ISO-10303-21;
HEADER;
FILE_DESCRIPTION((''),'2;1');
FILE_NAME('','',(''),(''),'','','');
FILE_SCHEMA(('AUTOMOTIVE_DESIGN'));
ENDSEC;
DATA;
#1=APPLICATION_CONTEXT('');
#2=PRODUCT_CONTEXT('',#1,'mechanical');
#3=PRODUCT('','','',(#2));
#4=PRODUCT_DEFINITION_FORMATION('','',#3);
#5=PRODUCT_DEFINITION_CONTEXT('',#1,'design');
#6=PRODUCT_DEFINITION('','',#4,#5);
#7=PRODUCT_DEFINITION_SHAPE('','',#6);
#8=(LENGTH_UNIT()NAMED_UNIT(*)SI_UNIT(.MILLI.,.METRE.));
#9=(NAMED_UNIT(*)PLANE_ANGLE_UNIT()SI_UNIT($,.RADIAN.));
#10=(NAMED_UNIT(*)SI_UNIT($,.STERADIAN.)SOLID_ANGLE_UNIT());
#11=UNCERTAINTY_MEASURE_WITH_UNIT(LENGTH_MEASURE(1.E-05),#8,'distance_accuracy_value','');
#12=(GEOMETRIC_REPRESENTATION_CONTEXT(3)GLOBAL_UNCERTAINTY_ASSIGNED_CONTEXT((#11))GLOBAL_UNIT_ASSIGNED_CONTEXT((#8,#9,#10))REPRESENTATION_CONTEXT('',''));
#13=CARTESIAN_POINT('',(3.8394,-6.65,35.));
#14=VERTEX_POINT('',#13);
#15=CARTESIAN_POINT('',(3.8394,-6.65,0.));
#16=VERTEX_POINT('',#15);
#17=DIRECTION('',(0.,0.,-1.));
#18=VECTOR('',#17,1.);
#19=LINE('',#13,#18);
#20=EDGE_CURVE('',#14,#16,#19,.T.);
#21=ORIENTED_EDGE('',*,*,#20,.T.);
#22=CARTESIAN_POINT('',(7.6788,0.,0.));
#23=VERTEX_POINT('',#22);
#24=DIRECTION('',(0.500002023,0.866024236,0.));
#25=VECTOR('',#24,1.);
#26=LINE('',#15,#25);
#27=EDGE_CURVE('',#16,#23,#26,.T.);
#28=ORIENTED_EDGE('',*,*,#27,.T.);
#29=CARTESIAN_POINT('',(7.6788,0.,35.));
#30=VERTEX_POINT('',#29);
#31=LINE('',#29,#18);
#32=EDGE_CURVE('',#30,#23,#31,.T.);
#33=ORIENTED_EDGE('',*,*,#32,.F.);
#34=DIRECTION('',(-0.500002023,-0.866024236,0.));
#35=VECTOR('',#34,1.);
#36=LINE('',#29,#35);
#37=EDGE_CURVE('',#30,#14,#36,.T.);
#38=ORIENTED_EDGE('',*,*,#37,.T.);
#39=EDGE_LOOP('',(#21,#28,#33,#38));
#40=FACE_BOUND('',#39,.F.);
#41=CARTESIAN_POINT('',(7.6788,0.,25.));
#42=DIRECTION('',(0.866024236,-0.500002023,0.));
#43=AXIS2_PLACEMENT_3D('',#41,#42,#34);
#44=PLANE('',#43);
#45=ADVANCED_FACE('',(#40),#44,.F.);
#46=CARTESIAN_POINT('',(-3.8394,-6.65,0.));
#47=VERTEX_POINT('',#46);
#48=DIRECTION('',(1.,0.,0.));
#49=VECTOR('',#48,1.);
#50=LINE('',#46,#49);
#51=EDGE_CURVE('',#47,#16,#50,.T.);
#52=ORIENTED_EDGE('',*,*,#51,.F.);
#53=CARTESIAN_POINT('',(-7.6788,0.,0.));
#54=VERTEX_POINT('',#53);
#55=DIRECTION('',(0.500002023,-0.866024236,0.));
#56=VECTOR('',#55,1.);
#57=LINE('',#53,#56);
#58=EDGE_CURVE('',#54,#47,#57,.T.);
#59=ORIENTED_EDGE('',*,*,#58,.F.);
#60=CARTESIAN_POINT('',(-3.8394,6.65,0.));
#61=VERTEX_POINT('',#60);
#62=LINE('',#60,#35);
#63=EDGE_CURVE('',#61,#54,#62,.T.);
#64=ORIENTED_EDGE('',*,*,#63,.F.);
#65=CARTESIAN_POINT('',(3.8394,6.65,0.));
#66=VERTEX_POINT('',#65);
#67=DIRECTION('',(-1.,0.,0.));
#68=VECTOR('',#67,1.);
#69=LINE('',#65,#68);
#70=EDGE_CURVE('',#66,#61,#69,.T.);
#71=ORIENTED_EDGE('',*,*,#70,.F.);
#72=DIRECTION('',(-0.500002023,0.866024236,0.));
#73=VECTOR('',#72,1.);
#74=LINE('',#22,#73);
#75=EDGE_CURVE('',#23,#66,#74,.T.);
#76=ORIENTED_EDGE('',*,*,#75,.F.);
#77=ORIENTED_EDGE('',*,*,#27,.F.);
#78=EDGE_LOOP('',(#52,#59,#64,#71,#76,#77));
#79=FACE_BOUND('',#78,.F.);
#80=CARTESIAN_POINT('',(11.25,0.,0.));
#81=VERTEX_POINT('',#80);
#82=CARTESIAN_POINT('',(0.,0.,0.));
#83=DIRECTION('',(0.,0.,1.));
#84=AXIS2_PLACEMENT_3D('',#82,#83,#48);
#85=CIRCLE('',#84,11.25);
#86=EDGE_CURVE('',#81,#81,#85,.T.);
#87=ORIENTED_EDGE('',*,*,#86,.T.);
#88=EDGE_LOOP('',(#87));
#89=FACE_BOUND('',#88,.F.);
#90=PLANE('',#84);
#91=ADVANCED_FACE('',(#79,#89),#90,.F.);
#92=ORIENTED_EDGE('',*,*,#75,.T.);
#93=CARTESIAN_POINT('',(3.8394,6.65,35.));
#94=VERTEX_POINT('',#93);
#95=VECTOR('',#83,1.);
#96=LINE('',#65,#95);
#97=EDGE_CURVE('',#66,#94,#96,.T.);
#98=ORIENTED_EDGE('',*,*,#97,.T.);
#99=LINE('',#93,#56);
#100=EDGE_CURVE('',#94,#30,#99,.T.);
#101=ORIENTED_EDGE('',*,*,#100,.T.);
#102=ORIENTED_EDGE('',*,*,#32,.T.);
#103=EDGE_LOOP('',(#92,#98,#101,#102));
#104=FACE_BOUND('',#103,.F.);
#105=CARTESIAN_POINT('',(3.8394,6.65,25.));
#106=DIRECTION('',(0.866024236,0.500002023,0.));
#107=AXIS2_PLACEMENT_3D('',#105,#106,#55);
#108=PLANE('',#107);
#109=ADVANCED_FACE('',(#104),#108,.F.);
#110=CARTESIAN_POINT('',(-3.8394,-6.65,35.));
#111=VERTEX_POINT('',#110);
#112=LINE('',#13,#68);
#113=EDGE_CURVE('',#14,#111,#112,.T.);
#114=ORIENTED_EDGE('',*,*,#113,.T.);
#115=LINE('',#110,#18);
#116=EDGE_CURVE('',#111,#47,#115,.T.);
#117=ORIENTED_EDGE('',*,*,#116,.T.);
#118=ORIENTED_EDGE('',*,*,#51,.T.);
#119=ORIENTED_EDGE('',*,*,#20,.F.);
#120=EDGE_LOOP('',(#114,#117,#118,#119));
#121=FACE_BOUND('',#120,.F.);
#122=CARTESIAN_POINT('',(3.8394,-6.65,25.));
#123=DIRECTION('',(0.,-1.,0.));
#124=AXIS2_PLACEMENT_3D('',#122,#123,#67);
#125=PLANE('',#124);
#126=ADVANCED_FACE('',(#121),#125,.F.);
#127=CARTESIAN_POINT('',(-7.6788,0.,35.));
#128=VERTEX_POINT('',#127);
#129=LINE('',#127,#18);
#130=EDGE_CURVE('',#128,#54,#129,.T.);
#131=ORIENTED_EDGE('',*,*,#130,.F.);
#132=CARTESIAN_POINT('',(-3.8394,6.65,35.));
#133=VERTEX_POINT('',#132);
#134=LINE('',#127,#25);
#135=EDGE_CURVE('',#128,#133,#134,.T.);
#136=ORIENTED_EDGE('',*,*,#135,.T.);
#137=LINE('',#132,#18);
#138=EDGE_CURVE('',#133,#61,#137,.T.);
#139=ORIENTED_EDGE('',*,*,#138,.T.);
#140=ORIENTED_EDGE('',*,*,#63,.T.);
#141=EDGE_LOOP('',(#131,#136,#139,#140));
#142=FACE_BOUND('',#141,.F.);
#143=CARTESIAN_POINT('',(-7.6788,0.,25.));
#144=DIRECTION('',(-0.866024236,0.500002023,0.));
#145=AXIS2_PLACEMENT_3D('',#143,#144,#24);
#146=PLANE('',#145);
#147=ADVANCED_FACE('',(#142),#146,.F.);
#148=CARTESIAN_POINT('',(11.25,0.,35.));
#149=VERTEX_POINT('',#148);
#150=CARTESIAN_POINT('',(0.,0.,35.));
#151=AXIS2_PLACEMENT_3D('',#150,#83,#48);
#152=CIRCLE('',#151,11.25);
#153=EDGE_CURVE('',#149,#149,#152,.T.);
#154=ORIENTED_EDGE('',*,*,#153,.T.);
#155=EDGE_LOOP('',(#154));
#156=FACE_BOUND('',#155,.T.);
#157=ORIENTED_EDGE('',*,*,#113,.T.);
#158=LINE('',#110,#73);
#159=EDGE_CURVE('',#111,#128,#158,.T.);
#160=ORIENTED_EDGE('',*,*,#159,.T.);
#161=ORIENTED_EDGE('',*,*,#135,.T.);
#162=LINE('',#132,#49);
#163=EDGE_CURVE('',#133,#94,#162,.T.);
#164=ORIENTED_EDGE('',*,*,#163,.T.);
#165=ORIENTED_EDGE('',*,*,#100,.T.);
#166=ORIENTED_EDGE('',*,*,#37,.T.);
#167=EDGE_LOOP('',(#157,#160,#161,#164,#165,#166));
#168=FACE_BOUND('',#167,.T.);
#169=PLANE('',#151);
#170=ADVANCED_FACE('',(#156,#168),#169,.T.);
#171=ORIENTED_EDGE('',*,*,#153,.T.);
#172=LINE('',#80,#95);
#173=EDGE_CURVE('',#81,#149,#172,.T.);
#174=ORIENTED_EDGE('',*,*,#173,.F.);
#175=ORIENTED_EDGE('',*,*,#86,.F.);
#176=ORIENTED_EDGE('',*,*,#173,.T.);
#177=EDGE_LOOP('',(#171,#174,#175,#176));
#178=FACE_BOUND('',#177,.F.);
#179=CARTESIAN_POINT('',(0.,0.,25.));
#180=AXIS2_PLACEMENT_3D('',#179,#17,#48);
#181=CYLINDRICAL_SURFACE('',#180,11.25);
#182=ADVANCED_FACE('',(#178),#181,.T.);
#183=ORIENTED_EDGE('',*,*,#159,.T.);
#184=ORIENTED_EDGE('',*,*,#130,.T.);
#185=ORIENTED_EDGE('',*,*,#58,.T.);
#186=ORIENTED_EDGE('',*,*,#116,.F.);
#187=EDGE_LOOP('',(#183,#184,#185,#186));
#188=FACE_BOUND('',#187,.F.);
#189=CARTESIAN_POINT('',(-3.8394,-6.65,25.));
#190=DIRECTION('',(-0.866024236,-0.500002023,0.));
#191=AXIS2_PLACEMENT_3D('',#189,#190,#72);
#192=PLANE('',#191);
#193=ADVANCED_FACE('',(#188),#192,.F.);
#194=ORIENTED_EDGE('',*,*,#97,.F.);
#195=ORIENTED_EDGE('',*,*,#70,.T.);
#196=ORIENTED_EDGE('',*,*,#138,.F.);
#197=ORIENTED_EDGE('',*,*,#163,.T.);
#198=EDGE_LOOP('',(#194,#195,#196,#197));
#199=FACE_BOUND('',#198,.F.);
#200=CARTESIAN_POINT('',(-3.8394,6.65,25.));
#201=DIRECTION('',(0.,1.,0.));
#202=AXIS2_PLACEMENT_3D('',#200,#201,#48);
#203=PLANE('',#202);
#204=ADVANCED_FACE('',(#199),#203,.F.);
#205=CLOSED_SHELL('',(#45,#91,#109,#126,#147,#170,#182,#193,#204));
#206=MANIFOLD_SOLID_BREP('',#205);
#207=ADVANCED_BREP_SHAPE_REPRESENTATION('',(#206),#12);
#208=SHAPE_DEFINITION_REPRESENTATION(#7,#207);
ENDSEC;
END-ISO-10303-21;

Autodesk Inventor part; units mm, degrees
ref_plane "YZ Plane" through (0, 0, 0) normal (1, 0, 0) x (0, 1, 0)
ref_plane "XZ Plane" through (0, 0, 0) normal (0, 1, 0) x (-1, 0, 0)
ref_plane "XY Plane" through (0, 0, 0) normal (0, 0, 1) x (1, 0, 0)
sketch "Sketch1" plane through (0, 0, 0) normal (0, 0, 1) x (1, 0, 0)
  circle A0 centre (0, 0) radius 11.25
  dimension "d0" = 22.5
extrude "Extrusion1" add sketch "Sketch1" along normal blind 25
sketch "Sketch2" plane through (0, 0, 0) normal (0, 0, -1) x (-1, 0, 0)
  line L0 (7.6788, 0) -> (3.8394, -6.65)
  line L1 (3.8394, -6.65) -> (-3.8394, -6.65)
  line L2 (-3.8394, -6.65) -> (-7.6788, 0)
  line L3 (-7.6788, 0) -> (-3.8394, 6.65)
  line L4 (-3.8394, 6.65) -> (3.8394, 6.65)
  line L5 (3.8394, 6.65) -> (7.6788, 0)
  point P0 (0, 0)
  point P1 (0, 0)
  dimension "d3" = 13.3
extrude "Extrusion2" cut sketch "Sketch2" against normal blind 30
sketch "Sketch3" plane through (0, 0, 25) normal (0, 0, 1) x (1, 0, 0)
  line L0 (3.8394, 6.65) -> (7.6788, 0) projected
  line L1 (7.6788, 0) -> (3.8394, -6.65) projected
  line L2 (3.8394, -6.65) -> (-3.8394, -6.65) projected
  line L3 (-3.8394, -6.65) -> (-7.6788, 0) projected
  line L4 (-7.6788, 0) -> (-3.8394, 6.65) projected
  line L5 (-3.8394, 6.65) -> (3.8394, 6.65) projected
  circle A0 centre (0, 0) radius 11.25 projected
extrude "Extrusion3" add sketch "Sketch3" along normal blind 10
properties part number "tubo"
